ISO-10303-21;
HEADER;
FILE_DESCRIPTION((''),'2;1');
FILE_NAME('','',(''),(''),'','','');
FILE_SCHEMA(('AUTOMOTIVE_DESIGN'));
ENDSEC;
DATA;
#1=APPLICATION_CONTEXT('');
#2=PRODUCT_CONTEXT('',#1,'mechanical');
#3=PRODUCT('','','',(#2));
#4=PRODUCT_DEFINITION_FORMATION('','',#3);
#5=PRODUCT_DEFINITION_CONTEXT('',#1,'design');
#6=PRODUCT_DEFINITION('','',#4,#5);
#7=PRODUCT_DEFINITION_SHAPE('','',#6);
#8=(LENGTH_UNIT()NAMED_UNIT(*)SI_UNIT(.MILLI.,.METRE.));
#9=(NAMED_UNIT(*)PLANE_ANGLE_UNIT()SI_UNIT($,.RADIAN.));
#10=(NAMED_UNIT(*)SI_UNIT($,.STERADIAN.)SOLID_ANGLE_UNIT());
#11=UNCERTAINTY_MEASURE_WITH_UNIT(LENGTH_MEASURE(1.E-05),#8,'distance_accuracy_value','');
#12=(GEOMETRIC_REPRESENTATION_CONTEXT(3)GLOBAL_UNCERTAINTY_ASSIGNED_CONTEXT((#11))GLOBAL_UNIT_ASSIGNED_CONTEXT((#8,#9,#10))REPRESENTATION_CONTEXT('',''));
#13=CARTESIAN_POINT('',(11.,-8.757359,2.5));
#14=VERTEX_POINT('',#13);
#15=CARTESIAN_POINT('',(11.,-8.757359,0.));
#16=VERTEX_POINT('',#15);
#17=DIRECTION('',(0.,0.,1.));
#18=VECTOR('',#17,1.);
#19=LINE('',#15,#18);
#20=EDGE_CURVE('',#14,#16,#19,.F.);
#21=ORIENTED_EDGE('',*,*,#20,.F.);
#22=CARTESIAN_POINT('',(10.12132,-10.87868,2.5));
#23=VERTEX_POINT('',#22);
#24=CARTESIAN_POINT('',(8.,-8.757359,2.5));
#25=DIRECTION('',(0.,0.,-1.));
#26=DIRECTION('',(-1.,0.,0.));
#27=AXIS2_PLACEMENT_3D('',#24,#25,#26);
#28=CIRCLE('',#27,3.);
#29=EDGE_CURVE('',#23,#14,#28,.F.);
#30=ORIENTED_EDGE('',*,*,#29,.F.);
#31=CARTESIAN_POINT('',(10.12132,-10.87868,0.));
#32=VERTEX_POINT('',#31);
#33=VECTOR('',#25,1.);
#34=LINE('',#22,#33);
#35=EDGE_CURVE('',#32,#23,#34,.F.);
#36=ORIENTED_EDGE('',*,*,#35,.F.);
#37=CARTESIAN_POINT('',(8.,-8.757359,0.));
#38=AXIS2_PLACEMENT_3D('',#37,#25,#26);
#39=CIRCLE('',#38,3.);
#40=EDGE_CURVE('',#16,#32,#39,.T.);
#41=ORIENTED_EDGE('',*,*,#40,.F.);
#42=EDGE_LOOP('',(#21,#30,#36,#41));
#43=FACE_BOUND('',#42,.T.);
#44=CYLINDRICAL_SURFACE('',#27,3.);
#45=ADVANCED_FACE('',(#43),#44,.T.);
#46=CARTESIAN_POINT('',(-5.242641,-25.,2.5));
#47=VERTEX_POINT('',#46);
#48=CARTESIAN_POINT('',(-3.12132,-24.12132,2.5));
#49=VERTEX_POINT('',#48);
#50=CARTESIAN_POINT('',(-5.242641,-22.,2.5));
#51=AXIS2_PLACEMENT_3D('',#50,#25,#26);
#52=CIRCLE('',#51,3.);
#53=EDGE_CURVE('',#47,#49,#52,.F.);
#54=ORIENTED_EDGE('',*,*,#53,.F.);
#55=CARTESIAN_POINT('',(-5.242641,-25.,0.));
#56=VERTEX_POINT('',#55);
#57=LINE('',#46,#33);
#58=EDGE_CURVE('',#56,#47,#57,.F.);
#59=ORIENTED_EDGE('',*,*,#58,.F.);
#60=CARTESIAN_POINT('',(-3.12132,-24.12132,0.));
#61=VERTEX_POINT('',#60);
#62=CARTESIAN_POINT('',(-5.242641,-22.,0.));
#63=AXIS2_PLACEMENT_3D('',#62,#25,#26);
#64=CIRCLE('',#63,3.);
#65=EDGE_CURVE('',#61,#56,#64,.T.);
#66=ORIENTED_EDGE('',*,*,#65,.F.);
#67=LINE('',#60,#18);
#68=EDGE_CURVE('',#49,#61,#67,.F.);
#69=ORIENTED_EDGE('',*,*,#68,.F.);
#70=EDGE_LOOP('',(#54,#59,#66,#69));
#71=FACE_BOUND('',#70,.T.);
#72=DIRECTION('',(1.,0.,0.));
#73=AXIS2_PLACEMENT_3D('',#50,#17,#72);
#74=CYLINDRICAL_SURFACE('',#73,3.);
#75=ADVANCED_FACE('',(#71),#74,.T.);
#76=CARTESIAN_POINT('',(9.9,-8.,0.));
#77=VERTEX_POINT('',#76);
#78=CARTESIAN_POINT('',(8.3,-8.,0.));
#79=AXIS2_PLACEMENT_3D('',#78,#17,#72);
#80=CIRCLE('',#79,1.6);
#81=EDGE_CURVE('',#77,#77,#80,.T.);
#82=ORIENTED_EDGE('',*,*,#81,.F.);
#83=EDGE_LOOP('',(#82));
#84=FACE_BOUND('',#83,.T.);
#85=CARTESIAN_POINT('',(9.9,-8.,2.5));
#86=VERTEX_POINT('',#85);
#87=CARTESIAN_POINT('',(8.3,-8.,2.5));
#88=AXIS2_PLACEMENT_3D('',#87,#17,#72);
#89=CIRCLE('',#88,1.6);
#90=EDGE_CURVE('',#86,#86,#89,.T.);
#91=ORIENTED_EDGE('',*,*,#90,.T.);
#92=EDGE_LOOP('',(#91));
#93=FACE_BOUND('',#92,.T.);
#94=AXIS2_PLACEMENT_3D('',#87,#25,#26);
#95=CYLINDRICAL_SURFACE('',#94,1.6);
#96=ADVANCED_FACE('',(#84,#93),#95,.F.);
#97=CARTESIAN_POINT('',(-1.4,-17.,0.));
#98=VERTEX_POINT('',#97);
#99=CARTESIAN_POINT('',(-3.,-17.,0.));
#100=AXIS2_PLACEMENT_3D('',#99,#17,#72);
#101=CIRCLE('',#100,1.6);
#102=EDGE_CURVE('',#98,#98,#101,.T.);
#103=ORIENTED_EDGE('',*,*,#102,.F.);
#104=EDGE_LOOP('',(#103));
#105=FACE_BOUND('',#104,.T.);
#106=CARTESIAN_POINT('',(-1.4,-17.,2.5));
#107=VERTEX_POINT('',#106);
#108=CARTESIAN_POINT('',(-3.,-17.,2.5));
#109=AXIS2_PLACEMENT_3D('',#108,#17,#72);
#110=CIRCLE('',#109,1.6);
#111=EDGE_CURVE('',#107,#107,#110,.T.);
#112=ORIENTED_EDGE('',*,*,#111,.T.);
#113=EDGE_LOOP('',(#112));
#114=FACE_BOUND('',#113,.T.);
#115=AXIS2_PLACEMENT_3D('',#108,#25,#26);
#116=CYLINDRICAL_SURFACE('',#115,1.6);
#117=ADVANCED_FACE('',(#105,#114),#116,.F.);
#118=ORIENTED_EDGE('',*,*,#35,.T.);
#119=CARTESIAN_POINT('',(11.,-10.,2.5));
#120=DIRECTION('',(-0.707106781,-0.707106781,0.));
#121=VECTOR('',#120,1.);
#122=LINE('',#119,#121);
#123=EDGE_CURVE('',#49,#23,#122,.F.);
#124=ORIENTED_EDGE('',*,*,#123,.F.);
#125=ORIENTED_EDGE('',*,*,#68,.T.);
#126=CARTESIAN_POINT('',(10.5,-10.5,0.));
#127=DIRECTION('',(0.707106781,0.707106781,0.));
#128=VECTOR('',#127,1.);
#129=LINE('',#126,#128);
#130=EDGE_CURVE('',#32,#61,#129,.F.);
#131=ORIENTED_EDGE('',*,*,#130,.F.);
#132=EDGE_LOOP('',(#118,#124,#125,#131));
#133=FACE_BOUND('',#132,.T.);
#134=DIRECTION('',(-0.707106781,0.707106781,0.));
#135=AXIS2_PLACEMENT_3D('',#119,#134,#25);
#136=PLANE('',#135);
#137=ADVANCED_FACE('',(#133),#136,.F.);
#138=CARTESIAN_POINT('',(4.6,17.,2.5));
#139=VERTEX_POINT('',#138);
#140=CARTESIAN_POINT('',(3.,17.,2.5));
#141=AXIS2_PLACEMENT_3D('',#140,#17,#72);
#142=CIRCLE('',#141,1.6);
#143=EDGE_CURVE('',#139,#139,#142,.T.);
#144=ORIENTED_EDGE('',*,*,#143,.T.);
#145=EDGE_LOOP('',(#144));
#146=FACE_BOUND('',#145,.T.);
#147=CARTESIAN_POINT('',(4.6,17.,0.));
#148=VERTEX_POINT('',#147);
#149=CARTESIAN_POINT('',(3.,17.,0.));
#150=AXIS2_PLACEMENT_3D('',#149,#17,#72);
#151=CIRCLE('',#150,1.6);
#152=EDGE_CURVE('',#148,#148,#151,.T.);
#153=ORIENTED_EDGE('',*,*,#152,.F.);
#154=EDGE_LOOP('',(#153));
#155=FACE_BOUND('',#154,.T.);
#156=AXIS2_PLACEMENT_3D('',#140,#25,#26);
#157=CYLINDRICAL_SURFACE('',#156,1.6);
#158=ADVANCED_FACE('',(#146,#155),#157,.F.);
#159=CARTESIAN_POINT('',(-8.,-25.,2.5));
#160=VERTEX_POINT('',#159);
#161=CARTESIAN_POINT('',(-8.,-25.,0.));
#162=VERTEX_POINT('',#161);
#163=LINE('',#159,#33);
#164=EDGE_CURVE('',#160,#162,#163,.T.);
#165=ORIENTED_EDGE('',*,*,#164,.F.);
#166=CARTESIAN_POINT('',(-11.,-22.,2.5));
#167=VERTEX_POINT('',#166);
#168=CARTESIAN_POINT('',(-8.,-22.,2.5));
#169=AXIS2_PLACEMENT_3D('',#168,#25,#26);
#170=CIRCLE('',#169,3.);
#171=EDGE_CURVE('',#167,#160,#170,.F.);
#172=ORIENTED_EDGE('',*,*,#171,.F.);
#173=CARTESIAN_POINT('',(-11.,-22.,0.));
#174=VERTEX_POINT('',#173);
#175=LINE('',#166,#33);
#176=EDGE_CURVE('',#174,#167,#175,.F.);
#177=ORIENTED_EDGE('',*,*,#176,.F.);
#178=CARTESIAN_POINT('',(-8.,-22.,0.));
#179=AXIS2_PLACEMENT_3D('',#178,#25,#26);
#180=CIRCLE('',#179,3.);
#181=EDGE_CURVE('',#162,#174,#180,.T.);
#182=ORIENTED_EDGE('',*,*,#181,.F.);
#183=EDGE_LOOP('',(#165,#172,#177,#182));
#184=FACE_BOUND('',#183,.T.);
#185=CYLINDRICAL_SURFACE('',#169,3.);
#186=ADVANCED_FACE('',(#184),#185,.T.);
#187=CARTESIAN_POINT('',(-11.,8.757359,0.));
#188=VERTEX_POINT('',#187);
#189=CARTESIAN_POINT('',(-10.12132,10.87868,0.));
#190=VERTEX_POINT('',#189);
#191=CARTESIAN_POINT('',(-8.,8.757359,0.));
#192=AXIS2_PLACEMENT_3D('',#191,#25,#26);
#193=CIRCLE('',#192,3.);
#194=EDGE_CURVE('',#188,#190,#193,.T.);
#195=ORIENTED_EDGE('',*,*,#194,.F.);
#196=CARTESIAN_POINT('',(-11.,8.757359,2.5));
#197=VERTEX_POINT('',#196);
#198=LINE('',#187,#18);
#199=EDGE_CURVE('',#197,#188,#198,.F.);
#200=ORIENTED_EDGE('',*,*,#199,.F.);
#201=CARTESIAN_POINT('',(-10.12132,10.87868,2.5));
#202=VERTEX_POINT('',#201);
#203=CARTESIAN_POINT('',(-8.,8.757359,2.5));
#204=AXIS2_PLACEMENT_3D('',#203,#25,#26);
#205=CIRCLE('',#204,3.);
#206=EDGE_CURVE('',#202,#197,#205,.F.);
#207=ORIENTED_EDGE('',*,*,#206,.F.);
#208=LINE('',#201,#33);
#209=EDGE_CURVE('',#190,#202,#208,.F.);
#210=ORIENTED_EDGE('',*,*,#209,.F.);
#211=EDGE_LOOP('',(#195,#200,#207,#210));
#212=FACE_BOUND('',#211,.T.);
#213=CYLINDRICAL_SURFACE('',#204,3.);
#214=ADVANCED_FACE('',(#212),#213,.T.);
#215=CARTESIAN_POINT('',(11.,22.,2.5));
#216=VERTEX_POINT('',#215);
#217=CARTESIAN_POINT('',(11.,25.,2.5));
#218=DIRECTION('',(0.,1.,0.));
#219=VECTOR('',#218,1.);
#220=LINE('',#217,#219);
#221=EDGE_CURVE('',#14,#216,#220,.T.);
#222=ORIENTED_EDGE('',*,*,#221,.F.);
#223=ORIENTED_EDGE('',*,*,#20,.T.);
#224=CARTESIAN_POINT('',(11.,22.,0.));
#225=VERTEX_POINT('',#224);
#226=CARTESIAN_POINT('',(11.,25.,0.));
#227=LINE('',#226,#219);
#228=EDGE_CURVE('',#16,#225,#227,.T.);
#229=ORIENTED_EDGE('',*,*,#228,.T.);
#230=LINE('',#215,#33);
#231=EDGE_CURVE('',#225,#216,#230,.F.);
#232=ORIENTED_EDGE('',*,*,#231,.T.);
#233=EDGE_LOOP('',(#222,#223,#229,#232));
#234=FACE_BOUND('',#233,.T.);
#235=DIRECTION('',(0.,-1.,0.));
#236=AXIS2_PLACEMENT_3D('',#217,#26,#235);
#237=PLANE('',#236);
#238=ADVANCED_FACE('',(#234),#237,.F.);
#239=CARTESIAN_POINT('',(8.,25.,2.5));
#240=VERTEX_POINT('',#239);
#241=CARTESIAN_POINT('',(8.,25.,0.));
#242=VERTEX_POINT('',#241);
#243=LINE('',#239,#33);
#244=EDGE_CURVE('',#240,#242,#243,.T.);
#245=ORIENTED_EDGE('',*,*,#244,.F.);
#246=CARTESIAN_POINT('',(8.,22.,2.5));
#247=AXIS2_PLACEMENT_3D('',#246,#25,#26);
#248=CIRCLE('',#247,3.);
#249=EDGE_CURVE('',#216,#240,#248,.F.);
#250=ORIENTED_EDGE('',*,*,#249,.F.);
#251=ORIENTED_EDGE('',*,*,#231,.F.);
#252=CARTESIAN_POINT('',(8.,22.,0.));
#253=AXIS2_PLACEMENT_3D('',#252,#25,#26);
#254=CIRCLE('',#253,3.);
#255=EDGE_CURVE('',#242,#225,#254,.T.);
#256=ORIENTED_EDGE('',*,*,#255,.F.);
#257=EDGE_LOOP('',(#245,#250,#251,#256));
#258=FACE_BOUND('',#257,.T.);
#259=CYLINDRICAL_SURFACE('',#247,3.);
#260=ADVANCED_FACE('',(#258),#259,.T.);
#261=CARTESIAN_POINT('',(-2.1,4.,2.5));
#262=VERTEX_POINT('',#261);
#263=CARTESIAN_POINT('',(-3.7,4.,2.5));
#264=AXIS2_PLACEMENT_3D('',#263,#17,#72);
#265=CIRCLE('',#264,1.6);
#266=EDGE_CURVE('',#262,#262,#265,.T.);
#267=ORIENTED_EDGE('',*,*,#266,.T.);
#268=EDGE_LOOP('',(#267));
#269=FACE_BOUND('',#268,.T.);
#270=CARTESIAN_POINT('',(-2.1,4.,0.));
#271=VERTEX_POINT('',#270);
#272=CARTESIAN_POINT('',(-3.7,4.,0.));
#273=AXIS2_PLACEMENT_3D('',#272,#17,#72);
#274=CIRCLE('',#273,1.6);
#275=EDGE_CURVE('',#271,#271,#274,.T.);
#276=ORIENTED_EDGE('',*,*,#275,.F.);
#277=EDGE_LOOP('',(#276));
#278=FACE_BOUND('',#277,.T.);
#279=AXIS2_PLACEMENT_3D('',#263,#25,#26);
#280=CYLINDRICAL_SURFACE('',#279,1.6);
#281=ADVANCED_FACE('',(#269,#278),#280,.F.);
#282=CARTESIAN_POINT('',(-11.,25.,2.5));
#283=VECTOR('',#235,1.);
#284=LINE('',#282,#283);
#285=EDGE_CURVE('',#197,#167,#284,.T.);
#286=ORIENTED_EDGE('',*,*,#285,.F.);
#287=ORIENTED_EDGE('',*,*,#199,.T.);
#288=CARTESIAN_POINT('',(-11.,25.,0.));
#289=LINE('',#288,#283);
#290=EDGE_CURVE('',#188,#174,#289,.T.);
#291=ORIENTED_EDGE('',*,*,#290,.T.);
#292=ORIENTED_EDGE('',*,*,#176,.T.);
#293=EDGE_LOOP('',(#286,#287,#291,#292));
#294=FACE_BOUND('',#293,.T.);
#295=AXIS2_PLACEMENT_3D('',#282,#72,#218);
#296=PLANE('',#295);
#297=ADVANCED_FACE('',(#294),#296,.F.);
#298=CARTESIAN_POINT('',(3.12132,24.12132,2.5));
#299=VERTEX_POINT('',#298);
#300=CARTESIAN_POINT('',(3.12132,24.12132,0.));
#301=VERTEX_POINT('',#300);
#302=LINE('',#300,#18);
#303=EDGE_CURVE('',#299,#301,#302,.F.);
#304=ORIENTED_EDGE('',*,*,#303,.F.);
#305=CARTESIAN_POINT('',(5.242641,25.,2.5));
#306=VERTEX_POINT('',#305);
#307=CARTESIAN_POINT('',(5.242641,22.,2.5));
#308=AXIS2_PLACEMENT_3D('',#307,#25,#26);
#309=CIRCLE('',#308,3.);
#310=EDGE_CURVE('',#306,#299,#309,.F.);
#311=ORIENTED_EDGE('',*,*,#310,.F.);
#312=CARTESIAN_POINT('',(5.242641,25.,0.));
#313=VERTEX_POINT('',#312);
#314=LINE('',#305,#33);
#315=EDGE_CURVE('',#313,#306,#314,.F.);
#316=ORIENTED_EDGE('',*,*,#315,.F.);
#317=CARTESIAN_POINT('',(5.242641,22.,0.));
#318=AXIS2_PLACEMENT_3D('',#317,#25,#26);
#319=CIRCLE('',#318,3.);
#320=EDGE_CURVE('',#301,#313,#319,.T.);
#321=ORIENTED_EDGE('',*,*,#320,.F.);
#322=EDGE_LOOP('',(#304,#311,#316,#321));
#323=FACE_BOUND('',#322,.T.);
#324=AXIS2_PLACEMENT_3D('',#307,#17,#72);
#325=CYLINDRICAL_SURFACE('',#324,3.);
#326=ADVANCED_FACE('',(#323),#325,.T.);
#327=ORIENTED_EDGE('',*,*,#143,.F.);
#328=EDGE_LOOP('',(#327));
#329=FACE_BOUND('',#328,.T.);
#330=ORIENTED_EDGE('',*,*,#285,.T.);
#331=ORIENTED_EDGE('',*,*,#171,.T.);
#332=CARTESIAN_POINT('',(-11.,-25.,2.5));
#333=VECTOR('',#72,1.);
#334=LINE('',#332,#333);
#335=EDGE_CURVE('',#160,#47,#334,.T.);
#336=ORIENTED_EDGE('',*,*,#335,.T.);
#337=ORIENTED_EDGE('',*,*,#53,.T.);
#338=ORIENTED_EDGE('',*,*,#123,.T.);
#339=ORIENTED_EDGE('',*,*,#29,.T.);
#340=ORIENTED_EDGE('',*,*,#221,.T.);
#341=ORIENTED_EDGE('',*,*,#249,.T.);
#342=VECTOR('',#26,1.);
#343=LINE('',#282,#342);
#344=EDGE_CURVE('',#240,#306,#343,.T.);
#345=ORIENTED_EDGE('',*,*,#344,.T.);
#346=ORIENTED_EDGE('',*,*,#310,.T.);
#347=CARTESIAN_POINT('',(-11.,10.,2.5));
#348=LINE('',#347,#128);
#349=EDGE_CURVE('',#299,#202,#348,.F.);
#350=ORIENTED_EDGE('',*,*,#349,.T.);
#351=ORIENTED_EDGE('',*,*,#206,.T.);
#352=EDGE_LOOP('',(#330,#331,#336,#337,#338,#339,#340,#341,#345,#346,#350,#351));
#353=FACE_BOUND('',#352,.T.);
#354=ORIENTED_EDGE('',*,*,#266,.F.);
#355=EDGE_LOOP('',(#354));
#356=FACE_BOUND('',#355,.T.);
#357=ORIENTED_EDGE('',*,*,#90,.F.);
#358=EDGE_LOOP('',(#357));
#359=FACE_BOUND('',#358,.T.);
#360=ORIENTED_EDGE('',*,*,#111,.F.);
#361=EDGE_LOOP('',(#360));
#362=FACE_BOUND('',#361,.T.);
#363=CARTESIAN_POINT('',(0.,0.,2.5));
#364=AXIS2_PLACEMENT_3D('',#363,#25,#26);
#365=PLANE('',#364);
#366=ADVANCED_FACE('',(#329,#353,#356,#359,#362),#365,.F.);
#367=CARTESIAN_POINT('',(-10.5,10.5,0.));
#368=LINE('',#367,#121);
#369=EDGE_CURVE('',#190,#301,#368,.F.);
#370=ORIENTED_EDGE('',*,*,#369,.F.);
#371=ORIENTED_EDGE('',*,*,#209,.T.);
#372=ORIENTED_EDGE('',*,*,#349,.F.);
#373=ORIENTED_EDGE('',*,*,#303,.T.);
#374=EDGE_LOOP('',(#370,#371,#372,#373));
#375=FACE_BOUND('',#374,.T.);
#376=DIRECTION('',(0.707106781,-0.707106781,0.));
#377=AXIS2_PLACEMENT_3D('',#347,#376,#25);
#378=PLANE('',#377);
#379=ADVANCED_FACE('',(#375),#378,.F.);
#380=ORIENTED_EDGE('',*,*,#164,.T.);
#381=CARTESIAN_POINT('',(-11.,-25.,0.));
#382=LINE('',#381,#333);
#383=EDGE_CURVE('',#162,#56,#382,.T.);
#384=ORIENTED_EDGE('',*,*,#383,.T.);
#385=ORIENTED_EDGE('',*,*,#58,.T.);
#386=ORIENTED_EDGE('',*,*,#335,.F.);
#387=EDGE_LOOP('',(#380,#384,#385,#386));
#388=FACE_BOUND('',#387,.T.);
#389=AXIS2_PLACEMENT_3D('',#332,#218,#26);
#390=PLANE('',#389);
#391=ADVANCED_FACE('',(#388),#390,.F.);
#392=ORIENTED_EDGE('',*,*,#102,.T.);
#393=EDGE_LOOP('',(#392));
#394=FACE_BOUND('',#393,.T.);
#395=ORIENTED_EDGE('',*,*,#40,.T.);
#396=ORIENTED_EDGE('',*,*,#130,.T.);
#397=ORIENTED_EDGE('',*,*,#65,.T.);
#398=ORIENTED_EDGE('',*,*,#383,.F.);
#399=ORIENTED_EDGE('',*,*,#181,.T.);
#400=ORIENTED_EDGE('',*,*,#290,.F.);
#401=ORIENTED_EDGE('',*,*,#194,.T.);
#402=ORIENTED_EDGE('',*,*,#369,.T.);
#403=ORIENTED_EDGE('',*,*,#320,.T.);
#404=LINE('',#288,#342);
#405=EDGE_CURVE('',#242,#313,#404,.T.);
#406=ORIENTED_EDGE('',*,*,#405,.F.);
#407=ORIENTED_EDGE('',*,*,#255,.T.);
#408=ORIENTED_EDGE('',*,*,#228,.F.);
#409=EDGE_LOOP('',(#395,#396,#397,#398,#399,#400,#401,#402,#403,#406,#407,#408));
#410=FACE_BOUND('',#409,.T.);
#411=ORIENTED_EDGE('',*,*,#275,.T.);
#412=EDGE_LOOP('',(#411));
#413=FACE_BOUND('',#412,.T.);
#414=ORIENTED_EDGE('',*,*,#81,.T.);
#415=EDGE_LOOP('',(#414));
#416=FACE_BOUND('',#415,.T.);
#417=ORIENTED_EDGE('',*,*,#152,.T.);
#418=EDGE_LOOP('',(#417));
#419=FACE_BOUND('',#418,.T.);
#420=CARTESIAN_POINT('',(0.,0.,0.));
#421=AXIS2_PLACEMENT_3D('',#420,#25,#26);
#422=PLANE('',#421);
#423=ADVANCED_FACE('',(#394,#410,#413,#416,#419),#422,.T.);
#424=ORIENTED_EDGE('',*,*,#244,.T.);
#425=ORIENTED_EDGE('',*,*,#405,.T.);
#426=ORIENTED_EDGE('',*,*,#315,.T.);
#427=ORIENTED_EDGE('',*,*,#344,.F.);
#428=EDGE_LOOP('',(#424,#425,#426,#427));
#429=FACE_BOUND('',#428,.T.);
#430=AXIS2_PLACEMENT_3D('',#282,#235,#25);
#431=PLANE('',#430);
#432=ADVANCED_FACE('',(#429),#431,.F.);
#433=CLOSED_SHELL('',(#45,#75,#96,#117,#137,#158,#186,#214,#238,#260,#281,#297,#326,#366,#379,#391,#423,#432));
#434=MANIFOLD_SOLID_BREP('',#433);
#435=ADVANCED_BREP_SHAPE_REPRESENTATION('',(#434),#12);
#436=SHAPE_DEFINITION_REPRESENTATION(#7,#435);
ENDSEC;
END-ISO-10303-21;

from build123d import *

# Parameters (mm, degrees)
SKETCH_1_W      = 22
SKETCH_1_H      = 50
SKETCH_1_R      = 1.6
EXTRUDE_1_DEPTH = 2.5
CHAMFER_1_SIZE  = 15
FILLET_1_R      = 3


with BuildPart() as part:
    # 草图1 → 凸台-拉伸1 (new body)
    with BuildSketch(Plane.XY):
        Rectangle(SKETCH_1_W, SKETCH_1_H)
        with Locations((-3, -17)):
            Circle(SKETCH_1_R, mode=Mode.SUBTRACT)
        with Locations((3, 17)):
            Circle(SKETCH_1_R, mode=Mode.SUBTRACT)
        with Locations((-3.7, 4)):
            Circle(SKETCH_1_R, mode=Mode.SUBTRACT)
        with Locations((8.3, -8)):
            Circle(SKETCH_1_R, mode=Mode.SUBTRACT)
    extrude(amount=EXTRUDE_1_DEPTH)

    # 倒角1
    chamfer_1_edges = [part.edges().sort_by_distance(p)[0] for p in [
        (11, -25, 1.25),
        (-11, 25, 1.25),
    ]]
    chamfer(chamfer_1_edges, length=CHAMFER_1_SIZE)

    # 圆角1
    fillet_1_edges = [part.edges().sort_by_distance(p)[0] for p in [
        (-11, 10, 1.25),
        (4, 25, 1.25),
        (11, -10, 1.25),
        (-4, -25, 1.25),
        (11, 25, 1.25),
        (-11, -25, 1.25),
    ]]
    fillet(fillet_1_edges, radius=FILLET_1_R)


solid = part.part
